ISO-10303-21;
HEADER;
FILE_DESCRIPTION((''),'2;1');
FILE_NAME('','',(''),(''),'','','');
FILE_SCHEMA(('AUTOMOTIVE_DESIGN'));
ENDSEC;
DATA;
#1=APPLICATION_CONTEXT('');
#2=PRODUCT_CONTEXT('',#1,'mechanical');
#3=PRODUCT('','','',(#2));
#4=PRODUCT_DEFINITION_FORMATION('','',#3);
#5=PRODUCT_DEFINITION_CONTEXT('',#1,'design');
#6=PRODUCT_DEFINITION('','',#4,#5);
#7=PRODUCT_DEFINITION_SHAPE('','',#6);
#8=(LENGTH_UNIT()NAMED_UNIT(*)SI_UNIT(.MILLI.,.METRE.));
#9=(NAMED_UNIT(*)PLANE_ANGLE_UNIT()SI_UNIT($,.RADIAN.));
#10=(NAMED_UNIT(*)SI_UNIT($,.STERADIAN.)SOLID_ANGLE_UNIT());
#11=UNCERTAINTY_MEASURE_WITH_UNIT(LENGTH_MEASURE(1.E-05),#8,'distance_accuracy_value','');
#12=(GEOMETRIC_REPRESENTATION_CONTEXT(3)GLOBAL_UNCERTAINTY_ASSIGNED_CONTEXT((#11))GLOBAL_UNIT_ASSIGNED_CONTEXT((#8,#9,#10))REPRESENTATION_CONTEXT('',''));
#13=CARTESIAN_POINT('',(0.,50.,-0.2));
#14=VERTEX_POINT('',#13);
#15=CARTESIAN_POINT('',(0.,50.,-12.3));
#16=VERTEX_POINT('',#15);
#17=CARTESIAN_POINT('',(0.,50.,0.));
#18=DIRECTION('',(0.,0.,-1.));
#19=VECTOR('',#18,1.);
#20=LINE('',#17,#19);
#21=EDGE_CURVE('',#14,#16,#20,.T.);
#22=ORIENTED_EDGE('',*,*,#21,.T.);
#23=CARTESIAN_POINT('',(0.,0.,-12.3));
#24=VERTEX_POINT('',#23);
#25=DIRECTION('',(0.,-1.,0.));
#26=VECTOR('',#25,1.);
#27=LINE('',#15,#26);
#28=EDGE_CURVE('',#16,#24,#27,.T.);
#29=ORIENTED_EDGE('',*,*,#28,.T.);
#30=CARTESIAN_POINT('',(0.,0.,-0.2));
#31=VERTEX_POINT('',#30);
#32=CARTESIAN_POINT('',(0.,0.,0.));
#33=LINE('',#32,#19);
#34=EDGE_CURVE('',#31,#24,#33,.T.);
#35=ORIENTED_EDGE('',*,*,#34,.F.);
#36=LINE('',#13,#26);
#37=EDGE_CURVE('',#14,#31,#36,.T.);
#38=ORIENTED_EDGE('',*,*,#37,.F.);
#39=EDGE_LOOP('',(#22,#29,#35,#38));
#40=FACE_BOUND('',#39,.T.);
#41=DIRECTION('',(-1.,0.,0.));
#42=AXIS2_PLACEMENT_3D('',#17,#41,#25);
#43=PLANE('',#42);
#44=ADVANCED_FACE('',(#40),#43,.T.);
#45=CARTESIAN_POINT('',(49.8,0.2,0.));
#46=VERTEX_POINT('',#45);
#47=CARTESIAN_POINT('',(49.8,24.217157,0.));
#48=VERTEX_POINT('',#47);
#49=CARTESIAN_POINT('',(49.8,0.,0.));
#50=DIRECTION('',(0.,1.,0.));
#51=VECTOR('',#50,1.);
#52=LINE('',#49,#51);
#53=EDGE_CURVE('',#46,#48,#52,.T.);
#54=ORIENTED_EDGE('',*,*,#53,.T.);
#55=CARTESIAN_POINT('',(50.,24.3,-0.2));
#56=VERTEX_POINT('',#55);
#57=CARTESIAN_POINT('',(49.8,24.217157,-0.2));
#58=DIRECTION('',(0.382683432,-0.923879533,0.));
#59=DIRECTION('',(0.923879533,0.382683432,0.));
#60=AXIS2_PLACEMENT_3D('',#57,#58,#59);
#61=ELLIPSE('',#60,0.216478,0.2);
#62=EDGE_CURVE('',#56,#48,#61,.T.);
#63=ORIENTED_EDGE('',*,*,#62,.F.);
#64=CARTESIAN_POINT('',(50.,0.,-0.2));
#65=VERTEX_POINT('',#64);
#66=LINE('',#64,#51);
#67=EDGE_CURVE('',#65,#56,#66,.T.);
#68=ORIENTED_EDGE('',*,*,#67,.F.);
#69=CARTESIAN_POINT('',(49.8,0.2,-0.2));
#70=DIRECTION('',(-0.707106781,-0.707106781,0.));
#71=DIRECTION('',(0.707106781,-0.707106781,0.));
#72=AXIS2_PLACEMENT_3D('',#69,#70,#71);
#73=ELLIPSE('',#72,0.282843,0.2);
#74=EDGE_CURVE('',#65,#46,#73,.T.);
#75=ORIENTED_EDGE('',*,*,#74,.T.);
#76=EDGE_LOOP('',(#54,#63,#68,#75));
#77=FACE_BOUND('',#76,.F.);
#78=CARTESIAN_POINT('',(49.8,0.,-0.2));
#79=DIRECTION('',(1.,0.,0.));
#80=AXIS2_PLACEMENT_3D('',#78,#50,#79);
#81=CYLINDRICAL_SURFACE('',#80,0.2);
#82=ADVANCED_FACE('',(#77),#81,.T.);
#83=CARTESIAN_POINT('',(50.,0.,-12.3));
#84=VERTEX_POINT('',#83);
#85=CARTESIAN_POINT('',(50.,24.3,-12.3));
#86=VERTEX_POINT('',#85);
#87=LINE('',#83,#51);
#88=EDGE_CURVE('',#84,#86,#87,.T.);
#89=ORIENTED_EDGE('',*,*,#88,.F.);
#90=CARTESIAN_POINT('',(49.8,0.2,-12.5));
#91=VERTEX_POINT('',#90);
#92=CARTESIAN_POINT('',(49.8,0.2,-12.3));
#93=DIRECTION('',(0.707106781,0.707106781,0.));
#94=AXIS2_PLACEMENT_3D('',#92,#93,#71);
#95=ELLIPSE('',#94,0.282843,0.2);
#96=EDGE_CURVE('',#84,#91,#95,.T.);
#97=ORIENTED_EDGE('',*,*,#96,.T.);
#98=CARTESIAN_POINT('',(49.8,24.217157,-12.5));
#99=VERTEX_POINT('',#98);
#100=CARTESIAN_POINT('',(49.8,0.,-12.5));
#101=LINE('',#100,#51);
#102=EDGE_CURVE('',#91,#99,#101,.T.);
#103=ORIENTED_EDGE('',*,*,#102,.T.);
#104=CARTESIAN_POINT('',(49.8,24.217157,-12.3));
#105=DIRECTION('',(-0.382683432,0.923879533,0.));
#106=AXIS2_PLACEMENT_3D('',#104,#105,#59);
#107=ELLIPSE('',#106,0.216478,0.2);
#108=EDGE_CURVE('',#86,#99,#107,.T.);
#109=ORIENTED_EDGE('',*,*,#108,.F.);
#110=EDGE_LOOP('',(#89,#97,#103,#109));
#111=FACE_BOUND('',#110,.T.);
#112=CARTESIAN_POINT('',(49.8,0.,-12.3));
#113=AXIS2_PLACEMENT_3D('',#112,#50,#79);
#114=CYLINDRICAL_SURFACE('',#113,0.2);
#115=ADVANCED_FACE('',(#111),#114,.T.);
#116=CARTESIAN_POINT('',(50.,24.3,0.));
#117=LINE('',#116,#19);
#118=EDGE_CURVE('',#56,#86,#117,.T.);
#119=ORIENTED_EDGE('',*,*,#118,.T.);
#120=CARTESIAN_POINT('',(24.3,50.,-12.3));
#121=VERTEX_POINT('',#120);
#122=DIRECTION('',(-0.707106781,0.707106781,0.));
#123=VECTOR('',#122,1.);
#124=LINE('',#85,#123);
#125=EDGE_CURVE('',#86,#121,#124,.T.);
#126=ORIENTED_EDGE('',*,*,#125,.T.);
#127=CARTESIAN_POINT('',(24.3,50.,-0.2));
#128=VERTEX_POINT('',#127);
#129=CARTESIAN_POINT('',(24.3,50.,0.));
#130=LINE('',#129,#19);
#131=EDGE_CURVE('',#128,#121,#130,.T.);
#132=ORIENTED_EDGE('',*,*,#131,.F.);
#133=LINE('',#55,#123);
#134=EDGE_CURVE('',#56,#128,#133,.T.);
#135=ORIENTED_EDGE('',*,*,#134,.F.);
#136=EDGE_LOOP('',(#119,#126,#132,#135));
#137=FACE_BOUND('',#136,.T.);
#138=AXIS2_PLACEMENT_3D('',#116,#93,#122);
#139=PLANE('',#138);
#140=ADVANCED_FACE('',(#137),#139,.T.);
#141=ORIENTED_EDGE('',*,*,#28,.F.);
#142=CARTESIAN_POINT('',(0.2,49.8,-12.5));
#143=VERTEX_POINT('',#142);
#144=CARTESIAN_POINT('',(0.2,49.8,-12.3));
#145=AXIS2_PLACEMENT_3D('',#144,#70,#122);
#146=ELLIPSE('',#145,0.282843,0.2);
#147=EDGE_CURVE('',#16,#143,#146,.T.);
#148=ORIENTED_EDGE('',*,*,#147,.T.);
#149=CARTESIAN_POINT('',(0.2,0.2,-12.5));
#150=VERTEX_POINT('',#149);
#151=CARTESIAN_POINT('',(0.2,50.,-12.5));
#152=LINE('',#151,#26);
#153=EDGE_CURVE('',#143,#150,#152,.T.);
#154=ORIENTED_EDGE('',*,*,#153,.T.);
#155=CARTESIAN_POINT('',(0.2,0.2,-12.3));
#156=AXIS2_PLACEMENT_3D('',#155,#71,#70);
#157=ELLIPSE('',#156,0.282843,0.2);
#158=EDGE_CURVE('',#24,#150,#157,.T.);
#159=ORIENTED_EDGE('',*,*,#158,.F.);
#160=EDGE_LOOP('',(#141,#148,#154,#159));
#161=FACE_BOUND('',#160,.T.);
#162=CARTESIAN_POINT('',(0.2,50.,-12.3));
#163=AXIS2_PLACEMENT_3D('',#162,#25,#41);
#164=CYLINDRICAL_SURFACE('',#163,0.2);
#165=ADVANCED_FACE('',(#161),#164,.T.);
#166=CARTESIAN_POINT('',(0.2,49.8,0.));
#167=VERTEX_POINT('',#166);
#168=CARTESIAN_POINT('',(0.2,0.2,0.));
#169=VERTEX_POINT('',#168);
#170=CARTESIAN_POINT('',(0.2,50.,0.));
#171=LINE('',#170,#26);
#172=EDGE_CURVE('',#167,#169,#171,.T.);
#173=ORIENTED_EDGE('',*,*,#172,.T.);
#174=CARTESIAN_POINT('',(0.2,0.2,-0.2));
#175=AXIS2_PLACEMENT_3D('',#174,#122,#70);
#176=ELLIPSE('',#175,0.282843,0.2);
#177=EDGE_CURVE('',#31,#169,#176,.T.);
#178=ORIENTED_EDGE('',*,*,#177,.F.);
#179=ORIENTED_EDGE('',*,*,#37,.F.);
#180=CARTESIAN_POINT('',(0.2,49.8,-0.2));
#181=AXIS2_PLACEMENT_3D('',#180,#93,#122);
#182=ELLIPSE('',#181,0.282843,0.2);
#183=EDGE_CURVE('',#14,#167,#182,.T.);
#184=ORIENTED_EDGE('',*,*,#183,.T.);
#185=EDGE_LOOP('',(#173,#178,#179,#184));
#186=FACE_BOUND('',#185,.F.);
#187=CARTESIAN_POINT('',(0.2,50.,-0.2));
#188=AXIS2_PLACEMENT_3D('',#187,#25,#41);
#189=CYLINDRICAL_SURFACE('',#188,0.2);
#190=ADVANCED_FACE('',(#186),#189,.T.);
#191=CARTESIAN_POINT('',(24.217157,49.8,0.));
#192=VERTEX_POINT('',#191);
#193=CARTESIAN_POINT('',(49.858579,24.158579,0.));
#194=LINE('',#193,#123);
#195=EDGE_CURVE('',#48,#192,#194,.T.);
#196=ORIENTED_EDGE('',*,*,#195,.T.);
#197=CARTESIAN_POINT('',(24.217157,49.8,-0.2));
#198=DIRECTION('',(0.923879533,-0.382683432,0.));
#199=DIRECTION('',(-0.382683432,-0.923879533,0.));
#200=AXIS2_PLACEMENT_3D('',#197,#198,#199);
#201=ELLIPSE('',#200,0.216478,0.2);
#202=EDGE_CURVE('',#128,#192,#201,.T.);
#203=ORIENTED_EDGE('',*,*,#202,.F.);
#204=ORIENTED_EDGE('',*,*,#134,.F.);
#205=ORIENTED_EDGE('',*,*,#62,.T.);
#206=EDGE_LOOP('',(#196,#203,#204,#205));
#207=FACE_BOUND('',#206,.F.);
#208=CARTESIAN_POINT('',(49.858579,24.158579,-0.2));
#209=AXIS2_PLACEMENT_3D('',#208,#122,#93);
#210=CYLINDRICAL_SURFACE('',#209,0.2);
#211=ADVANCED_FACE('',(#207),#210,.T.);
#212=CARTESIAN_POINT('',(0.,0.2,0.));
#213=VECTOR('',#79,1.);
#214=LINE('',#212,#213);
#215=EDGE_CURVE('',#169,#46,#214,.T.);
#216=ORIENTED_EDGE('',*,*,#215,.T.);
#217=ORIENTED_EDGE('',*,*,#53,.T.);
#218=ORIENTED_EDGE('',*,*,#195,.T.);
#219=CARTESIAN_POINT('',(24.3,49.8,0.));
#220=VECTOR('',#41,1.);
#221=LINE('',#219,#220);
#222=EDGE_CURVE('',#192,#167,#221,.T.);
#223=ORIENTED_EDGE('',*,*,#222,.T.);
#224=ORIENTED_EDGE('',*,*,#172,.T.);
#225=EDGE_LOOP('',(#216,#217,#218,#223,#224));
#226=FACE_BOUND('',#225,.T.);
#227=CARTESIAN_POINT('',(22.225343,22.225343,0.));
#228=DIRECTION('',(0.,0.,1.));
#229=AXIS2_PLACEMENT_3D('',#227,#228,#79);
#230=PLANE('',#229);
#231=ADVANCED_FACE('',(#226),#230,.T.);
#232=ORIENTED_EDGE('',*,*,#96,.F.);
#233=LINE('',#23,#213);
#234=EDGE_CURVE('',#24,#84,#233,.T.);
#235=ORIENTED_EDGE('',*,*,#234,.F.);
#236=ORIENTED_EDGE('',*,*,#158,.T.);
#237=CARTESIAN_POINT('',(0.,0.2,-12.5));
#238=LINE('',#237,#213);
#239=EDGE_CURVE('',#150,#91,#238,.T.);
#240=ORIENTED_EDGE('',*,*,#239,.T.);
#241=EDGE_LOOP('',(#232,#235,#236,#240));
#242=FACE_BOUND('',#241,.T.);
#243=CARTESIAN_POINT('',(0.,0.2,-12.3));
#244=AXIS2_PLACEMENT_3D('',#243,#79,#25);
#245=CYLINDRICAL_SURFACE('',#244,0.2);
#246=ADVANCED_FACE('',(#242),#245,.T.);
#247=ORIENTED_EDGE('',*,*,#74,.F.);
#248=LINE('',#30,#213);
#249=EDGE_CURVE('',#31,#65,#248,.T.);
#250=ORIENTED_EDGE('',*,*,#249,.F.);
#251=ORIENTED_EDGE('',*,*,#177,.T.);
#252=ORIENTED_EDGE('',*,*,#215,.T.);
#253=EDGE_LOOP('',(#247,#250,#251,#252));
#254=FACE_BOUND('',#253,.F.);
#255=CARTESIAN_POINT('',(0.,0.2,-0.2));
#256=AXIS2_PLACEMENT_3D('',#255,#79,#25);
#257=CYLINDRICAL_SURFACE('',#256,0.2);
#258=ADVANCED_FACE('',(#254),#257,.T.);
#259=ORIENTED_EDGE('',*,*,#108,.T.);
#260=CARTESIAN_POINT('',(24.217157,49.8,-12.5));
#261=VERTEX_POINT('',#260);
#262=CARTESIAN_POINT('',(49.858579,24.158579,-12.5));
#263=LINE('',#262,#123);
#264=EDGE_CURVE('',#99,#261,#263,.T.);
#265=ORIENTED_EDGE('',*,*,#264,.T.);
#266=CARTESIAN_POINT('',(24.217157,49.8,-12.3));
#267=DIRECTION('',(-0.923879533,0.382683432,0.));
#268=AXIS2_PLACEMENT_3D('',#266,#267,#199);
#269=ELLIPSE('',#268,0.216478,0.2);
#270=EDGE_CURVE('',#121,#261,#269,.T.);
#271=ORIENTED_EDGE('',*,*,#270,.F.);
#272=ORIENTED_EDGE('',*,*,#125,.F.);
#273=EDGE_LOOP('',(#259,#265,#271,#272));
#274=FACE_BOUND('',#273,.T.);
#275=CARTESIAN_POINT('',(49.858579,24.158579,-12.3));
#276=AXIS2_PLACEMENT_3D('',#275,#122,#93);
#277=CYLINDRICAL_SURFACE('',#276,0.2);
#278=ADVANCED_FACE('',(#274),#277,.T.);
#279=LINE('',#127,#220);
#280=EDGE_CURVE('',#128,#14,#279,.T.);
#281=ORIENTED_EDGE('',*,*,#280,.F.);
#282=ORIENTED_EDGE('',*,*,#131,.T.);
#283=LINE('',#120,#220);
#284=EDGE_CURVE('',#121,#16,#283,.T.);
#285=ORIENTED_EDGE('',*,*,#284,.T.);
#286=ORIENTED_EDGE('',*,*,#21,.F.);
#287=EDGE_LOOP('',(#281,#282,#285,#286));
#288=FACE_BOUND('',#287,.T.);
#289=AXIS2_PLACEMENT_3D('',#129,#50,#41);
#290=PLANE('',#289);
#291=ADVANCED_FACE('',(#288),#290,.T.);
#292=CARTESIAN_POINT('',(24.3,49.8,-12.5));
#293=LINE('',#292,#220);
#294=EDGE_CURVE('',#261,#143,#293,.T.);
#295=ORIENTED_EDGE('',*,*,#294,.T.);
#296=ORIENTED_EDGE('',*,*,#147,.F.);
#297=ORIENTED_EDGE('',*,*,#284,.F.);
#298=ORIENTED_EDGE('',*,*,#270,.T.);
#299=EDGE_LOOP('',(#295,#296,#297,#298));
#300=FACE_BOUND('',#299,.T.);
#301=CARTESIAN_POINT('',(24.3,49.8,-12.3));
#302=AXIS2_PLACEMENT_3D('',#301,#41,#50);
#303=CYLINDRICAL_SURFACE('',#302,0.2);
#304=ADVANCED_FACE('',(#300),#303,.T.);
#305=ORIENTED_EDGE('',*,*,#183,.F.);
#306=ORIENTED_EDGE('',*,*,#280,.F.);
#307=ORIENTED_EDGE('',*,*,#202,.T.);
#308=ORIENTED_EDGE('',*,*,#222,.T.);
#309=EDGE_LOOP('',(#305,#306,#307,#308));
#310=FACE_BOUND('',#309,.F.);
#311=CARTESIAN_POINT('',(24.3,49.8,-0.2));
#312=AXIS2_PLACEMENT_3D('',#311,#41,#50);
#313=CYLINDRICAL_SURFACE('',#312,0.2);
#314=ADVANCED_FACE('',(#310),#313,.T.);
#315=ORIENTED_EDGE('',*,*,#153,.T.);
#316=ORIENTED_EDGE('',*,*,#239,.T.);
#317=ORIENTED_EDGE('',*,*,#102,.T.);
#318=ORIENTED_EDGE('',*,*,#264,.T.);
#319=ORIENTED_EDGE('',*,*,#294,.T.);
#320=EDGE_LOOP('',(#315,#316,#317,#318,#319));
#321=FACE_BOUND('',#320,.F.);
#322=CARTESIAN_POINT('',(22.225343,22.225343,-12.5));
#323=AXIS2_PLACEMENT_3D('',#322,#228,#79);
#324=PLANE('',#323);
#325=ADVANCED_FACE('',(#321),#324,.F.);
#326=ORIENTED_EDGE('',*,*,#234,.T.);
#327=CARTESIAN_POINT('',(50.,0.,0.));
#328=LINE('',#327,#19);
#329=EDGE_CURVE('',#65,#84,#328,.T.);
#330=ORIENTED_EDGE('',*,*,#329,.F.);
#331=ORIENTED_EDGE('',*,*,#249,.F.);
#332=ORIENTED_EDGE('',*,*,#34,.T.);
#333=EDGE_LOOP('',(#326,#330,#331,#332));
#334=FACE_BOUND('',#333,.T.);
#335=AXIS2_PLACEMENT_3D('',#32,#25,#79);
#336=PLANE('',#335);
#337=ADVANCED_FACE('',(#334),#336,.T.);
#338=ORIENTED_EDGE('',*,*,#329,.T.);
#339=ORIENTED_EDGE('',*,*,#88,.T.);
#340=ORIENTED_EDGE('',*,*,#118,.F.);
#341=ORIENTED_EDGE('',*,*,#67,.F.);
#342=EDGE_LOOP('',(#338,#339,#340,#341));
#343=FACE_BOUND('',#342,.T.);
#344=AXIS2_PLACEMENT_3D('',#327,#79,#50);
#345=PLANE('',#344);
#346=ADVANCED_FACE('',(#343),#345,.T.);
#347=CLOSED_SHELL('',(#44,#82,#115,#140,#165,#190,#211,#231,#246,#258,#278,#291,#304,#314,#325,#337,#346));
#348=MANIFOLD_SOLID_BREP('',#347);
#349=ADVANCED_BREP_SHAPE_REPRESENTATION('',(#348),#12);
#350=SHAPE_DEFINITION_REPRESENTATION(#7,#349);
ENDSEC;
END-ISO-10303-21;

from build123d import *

# Parameters (mm, degrees)
F1_DEPTH = 12.5
F2_R     = 0.2


with BuildPart() as f1:
    # F0 (on Top) → F1 (new body)
    with BuildSketch(Plane.XY):
        Polygon((0, 50), (0, 0), (50, 0), (50, 24.3), (24.3, 50), align=None)
    extrude(amount=-F1_DEPTH)

    # F2
    f2_edges = [f1.edges().sort_by_distance(p)[0] for p in [
        (12.15, 50, 0),
        (0, 25, 0),
        (25, 0, 0),
        (50, 12.15, 0),
        (37.15, 37.15, 0),
        (12.15, 50, -12.5),
        (0, 25, -12.5),
        (25, 0, -12.5),
        (50, 12.15, -12.5),
        (37.15, 37.15, -12.5),
    ]]
    fillet(f2_edges, radius=F2_R)


solid = f1.part
